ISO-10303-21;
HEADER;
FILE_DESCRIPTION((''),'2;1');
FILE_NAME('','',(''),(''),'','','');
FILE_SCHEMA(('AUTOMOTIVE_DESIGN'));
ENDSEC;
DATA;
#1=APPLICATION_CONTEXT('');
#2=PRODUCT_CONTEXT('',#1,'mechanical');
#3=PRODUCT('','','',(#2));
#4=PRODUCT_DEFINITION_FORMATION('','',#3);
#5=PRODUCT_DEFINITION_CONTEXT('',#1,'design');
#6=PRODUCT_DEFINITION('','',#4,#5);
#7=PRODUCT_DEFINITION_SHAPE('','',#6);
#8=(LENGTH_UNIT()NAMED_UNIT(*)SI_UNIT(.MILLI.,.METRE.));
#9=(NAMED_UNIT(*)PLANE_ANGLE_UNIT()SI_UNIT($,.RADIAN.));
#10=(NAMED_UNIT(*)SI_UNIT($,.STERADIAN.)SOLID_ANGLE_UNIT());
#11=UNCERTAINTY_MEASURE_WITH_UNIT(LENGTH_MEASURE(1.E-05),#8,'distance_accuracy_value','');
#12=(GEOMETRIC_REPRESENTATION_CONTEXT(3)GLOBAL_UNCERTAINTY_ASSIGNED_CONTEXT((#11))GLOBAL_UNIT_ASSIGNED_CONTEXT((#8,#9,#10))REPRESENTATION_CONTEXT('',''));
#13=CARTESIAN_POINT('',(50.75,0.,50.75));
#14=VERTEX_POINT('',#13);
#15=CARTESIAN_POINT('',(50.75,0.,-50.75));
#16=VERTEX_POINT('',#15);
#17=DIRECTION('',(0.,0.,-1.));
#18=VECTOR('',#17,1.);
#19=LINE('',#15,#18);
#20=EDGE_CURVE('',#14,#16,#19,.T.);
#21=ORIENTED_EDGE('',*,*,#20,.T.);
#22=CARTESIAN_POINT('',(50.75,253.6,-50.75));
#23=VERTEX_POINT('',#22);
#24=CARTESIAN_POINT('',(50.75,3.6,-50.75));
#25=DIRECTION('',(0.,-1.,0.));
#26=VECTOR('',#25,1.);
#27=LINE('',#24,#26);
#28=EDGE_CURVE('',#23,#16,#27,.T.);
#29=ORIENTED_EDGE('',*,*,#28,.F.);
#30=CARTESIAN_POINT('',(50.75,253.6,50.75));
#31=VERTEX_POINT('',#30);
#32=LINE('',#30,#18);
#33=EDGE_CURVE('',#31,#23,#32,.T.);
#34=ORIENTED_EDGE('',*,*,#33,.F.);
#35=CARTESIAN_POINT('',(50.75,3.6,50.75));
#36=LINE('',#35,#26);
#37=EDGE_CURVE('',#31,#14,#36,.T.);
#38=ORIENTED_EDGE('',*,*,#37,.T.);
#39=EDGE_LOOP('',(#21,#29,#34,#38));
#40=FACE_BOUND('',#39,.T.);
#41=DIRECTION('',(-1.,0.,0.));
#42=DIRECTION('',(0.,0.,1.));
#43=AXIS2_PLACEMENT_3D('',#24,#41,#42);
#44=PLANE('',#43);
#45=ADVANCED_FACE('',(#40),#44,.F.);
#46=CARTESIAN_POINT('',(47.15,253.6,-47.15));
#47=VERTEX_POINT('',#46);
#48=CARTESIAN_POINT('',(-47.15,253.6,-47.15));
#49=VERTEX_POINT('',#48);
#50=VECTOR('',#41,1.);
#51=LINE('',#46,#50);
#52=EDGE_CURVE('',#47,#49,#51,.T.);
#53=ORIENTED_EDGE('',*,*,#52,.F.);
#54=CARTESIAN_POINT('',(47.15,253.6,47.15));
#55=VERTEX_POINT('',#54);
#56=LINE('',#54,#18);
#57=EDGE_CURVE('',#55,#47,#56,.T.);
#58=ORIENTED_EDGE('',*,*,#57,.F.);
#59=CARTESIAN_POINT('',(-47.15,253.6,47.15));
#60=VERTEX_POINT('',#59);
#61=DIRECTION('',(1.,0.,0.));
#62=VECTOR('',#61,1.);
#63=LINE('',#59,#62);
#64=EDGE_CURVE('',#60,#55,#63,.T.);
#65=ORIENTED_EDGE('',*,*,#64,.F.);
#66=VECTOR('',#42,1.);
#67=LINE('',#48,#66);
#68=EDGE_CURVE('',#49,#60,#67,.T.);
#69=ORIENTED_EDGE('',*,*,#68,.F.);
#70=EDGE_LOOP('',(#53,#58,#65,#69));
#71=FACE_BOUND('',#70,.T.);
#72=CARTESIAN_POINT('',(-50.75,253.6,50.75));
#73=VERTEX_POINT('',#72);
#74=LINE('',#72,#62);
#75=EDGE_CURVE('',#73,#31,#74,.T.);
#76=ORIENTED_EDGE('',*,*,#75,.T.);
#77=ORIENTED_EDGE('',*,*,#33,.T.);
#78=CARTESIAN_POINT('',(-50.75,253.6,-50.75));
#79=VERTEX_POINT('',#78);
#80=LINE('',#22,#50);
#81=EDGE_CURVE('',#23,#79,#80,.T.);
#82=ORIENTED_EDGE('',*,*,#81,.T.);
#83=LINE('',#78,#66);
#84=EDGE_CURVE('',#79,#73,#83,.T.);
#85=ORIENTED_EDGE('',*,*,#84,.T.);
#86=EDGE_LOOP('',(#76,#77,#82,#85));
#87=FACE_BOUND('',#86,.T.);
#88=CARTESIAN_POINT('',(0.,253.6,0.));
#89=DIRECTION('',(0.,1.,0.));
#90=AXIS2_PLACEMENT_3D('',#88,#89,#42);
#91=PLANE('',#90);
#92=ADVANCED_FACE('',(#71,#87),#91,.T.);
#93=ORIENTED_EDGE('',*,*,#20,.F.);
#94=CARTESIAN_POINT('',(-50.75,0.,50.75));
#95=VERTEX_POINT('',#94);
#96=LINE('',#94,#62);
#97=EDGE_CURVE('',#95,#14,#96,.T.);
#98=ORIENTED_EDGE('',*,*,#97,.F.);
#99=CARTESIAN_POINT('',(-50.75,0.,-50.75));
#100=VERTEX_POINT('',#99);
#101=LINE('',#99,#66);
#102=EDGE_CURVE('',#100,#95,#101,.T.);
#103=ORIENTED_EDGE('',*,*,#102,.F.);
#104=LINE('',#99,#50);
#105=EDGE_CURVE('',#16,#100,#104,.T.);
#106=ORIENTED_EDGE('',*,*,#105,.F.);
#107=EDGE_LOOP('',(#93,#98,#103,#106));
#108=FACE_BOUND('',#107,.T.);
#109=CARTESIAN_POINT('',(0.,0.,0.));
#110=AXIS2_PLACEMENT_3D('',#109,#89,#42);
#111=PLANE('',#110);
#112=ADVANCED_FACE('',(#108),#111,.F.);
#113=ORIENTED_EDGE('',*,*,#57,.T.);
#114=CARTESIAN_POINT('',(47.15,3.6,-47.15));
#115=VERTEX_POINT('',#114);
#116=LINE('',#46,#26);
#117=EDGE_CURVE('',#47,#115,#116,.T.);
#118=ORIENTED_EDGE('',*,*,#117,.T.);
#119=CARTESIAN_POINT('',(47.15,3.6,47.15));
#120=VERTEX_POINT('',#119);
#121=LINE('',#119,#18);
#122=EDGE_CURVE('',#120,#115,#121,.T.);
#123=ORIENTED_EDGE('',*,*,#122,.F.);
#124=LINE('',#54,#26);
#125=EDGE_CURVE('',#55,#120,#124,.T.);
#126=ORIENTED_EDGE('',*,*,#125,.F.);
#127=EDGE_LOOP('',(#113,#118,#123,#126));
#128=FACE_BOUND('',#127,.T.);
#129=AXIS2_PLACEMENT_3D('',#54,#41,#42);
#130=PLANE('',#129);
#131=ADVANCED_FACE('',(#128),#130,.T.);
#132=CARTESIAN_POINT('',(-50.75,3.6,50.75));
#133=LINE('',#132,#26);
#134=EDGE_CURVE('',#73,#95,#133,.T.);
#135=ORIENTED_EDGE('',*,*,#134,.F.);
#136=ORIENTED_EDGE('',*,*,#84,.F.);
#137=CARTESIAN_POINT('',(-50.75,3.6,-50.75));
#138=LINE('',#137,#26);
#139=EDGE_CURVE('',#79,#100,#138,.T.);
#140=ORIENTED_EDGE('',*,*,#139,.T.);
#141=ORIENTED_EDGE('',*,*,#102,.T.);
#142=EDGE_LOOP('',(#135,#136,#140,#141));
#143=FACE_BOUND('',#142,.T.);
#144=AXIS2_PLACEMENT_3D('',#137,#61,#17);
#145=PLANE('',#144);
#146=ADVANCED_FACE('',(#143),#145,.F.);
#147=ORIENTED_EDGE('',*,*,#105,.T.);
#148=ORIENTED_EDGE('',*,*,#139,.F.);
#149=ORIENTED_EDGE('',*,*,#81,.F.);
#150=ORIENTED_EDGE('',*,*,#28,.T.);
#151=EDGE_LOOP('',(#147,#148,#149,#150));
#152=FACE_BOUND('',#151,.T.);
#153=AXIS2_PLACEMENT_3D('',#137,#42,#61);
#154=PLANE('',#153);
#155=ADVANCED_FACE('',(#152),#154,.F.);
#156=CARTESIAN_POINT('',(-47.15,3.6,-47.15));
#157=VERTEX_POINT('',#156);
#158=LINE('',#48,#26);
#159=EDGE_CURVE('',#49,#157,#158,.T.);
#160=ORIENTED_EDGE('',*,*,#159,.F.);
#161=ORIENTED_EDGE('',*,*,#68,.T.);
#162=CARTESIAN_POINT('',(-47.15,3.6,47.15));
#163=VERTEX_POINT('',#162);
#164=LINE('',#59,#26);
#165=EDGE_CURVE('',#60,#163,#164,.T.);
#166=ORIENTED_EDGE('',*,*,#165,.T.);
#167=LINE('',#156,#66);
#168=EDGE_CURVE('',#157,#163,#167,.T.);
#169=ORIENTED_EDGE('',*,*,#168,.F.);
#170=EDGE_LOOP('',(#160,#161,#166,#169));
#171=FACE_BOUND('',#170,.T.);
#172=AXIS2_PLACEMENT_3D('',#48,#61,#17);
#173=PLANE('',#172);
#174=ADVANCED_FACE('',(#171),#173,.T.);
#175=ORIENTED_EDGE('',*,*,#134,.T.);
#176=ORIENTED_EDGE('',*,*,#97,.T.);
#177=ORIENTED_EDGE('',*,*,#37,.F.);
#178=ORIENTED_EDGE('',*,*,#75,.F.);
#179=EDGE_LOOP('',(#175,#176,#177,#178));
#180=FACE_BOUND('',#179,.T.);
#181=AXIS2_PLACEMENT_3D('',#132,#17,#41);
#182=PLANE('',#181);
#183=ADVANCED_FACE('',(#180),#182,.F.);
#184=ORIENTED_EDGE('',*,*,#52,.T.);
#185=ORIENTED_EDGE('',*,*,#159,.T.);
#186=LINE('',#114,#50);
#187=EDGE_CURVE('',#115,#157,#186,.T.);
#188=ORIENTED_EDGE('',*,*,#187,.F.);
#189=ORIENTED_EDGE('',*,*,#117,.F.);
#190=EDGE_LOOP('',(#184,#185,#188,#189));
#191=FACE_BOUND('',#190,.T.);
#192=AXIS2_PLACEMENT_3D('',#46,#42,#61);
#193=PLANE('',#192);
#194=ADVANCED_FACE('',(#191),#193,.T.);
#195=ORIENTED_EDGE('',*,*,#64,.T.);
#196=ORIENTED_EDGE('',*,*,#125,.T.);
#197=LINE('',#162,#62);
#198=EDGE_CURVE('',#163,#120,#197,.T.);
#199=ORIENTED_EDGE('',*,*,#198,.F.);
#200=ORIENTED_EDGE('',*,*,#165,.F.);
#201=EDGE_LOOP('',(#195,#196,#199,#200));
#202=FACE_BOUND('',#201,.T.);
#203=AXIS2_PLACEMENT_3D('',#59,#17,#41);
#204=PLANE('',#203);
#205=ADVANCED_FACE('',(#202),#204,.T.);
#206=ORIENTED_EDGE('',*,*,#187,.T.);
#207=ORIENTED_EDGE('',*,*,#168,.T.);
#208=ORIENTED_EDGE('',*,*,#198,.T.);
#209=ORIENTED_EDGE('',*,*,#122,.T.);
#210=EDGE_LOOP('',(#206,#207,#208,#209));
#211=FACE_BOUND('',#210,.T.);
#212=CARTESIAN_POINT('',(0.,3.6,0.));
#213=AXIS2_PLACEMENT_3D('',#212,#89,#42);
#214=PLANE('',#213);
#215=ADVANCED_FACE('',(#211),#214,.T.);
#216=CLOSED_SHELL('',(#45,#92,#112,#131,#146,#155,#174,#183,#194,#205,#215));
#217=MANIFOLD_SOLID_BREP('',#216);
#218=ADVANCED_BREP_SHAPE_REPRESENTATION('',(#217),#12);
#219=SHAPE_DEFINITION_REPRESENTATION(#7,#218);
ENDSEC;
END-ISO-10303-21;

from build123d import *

# Parameters (mm, degrees)
SKETCH1_W           = 101.5
SKETCH1_H           = 101.5
BOSS_EXTRUDE1_DEPTH = 3.6
SKETCH2_W           = 101.5
SKETCH2_H           = 101.5
SKETCH2_W_2         = 94.3
SKETCH2_H_2         = 94.3
BOSS_EXTRUDE2_DEPTH = 250


with BuildPart() as part:
    # Sketch1 → Boss-Extrude1 (new body)
    with BuildSketch(Plane(origin=(0, 0, 0), x_dir=(1, 0, 0), z_dir=(0, 1, 0))):
        Rectangle(SKETCH1_W, SKETCH1_H)
    extrude(amount=BOSS_EXTRUDE1_DEPTH)

    # Sketch2 → Boss-Extrude2 (add)
    with BuildSketch(Plane(origin=(0, 3.6, 0), x_dir=(1, 0, 0), z_dir=(0, 1, 0))):
        Rectangle(SKETCH2_W, SKETCH2_H)
        Rectangle(SKETCH2_W_2, SKETCH2_H_2, mode=Mode.SUBTRACT)
    extrude(amount=BOSS_EXTRUDE2_DEPTH)


solid = part.part
